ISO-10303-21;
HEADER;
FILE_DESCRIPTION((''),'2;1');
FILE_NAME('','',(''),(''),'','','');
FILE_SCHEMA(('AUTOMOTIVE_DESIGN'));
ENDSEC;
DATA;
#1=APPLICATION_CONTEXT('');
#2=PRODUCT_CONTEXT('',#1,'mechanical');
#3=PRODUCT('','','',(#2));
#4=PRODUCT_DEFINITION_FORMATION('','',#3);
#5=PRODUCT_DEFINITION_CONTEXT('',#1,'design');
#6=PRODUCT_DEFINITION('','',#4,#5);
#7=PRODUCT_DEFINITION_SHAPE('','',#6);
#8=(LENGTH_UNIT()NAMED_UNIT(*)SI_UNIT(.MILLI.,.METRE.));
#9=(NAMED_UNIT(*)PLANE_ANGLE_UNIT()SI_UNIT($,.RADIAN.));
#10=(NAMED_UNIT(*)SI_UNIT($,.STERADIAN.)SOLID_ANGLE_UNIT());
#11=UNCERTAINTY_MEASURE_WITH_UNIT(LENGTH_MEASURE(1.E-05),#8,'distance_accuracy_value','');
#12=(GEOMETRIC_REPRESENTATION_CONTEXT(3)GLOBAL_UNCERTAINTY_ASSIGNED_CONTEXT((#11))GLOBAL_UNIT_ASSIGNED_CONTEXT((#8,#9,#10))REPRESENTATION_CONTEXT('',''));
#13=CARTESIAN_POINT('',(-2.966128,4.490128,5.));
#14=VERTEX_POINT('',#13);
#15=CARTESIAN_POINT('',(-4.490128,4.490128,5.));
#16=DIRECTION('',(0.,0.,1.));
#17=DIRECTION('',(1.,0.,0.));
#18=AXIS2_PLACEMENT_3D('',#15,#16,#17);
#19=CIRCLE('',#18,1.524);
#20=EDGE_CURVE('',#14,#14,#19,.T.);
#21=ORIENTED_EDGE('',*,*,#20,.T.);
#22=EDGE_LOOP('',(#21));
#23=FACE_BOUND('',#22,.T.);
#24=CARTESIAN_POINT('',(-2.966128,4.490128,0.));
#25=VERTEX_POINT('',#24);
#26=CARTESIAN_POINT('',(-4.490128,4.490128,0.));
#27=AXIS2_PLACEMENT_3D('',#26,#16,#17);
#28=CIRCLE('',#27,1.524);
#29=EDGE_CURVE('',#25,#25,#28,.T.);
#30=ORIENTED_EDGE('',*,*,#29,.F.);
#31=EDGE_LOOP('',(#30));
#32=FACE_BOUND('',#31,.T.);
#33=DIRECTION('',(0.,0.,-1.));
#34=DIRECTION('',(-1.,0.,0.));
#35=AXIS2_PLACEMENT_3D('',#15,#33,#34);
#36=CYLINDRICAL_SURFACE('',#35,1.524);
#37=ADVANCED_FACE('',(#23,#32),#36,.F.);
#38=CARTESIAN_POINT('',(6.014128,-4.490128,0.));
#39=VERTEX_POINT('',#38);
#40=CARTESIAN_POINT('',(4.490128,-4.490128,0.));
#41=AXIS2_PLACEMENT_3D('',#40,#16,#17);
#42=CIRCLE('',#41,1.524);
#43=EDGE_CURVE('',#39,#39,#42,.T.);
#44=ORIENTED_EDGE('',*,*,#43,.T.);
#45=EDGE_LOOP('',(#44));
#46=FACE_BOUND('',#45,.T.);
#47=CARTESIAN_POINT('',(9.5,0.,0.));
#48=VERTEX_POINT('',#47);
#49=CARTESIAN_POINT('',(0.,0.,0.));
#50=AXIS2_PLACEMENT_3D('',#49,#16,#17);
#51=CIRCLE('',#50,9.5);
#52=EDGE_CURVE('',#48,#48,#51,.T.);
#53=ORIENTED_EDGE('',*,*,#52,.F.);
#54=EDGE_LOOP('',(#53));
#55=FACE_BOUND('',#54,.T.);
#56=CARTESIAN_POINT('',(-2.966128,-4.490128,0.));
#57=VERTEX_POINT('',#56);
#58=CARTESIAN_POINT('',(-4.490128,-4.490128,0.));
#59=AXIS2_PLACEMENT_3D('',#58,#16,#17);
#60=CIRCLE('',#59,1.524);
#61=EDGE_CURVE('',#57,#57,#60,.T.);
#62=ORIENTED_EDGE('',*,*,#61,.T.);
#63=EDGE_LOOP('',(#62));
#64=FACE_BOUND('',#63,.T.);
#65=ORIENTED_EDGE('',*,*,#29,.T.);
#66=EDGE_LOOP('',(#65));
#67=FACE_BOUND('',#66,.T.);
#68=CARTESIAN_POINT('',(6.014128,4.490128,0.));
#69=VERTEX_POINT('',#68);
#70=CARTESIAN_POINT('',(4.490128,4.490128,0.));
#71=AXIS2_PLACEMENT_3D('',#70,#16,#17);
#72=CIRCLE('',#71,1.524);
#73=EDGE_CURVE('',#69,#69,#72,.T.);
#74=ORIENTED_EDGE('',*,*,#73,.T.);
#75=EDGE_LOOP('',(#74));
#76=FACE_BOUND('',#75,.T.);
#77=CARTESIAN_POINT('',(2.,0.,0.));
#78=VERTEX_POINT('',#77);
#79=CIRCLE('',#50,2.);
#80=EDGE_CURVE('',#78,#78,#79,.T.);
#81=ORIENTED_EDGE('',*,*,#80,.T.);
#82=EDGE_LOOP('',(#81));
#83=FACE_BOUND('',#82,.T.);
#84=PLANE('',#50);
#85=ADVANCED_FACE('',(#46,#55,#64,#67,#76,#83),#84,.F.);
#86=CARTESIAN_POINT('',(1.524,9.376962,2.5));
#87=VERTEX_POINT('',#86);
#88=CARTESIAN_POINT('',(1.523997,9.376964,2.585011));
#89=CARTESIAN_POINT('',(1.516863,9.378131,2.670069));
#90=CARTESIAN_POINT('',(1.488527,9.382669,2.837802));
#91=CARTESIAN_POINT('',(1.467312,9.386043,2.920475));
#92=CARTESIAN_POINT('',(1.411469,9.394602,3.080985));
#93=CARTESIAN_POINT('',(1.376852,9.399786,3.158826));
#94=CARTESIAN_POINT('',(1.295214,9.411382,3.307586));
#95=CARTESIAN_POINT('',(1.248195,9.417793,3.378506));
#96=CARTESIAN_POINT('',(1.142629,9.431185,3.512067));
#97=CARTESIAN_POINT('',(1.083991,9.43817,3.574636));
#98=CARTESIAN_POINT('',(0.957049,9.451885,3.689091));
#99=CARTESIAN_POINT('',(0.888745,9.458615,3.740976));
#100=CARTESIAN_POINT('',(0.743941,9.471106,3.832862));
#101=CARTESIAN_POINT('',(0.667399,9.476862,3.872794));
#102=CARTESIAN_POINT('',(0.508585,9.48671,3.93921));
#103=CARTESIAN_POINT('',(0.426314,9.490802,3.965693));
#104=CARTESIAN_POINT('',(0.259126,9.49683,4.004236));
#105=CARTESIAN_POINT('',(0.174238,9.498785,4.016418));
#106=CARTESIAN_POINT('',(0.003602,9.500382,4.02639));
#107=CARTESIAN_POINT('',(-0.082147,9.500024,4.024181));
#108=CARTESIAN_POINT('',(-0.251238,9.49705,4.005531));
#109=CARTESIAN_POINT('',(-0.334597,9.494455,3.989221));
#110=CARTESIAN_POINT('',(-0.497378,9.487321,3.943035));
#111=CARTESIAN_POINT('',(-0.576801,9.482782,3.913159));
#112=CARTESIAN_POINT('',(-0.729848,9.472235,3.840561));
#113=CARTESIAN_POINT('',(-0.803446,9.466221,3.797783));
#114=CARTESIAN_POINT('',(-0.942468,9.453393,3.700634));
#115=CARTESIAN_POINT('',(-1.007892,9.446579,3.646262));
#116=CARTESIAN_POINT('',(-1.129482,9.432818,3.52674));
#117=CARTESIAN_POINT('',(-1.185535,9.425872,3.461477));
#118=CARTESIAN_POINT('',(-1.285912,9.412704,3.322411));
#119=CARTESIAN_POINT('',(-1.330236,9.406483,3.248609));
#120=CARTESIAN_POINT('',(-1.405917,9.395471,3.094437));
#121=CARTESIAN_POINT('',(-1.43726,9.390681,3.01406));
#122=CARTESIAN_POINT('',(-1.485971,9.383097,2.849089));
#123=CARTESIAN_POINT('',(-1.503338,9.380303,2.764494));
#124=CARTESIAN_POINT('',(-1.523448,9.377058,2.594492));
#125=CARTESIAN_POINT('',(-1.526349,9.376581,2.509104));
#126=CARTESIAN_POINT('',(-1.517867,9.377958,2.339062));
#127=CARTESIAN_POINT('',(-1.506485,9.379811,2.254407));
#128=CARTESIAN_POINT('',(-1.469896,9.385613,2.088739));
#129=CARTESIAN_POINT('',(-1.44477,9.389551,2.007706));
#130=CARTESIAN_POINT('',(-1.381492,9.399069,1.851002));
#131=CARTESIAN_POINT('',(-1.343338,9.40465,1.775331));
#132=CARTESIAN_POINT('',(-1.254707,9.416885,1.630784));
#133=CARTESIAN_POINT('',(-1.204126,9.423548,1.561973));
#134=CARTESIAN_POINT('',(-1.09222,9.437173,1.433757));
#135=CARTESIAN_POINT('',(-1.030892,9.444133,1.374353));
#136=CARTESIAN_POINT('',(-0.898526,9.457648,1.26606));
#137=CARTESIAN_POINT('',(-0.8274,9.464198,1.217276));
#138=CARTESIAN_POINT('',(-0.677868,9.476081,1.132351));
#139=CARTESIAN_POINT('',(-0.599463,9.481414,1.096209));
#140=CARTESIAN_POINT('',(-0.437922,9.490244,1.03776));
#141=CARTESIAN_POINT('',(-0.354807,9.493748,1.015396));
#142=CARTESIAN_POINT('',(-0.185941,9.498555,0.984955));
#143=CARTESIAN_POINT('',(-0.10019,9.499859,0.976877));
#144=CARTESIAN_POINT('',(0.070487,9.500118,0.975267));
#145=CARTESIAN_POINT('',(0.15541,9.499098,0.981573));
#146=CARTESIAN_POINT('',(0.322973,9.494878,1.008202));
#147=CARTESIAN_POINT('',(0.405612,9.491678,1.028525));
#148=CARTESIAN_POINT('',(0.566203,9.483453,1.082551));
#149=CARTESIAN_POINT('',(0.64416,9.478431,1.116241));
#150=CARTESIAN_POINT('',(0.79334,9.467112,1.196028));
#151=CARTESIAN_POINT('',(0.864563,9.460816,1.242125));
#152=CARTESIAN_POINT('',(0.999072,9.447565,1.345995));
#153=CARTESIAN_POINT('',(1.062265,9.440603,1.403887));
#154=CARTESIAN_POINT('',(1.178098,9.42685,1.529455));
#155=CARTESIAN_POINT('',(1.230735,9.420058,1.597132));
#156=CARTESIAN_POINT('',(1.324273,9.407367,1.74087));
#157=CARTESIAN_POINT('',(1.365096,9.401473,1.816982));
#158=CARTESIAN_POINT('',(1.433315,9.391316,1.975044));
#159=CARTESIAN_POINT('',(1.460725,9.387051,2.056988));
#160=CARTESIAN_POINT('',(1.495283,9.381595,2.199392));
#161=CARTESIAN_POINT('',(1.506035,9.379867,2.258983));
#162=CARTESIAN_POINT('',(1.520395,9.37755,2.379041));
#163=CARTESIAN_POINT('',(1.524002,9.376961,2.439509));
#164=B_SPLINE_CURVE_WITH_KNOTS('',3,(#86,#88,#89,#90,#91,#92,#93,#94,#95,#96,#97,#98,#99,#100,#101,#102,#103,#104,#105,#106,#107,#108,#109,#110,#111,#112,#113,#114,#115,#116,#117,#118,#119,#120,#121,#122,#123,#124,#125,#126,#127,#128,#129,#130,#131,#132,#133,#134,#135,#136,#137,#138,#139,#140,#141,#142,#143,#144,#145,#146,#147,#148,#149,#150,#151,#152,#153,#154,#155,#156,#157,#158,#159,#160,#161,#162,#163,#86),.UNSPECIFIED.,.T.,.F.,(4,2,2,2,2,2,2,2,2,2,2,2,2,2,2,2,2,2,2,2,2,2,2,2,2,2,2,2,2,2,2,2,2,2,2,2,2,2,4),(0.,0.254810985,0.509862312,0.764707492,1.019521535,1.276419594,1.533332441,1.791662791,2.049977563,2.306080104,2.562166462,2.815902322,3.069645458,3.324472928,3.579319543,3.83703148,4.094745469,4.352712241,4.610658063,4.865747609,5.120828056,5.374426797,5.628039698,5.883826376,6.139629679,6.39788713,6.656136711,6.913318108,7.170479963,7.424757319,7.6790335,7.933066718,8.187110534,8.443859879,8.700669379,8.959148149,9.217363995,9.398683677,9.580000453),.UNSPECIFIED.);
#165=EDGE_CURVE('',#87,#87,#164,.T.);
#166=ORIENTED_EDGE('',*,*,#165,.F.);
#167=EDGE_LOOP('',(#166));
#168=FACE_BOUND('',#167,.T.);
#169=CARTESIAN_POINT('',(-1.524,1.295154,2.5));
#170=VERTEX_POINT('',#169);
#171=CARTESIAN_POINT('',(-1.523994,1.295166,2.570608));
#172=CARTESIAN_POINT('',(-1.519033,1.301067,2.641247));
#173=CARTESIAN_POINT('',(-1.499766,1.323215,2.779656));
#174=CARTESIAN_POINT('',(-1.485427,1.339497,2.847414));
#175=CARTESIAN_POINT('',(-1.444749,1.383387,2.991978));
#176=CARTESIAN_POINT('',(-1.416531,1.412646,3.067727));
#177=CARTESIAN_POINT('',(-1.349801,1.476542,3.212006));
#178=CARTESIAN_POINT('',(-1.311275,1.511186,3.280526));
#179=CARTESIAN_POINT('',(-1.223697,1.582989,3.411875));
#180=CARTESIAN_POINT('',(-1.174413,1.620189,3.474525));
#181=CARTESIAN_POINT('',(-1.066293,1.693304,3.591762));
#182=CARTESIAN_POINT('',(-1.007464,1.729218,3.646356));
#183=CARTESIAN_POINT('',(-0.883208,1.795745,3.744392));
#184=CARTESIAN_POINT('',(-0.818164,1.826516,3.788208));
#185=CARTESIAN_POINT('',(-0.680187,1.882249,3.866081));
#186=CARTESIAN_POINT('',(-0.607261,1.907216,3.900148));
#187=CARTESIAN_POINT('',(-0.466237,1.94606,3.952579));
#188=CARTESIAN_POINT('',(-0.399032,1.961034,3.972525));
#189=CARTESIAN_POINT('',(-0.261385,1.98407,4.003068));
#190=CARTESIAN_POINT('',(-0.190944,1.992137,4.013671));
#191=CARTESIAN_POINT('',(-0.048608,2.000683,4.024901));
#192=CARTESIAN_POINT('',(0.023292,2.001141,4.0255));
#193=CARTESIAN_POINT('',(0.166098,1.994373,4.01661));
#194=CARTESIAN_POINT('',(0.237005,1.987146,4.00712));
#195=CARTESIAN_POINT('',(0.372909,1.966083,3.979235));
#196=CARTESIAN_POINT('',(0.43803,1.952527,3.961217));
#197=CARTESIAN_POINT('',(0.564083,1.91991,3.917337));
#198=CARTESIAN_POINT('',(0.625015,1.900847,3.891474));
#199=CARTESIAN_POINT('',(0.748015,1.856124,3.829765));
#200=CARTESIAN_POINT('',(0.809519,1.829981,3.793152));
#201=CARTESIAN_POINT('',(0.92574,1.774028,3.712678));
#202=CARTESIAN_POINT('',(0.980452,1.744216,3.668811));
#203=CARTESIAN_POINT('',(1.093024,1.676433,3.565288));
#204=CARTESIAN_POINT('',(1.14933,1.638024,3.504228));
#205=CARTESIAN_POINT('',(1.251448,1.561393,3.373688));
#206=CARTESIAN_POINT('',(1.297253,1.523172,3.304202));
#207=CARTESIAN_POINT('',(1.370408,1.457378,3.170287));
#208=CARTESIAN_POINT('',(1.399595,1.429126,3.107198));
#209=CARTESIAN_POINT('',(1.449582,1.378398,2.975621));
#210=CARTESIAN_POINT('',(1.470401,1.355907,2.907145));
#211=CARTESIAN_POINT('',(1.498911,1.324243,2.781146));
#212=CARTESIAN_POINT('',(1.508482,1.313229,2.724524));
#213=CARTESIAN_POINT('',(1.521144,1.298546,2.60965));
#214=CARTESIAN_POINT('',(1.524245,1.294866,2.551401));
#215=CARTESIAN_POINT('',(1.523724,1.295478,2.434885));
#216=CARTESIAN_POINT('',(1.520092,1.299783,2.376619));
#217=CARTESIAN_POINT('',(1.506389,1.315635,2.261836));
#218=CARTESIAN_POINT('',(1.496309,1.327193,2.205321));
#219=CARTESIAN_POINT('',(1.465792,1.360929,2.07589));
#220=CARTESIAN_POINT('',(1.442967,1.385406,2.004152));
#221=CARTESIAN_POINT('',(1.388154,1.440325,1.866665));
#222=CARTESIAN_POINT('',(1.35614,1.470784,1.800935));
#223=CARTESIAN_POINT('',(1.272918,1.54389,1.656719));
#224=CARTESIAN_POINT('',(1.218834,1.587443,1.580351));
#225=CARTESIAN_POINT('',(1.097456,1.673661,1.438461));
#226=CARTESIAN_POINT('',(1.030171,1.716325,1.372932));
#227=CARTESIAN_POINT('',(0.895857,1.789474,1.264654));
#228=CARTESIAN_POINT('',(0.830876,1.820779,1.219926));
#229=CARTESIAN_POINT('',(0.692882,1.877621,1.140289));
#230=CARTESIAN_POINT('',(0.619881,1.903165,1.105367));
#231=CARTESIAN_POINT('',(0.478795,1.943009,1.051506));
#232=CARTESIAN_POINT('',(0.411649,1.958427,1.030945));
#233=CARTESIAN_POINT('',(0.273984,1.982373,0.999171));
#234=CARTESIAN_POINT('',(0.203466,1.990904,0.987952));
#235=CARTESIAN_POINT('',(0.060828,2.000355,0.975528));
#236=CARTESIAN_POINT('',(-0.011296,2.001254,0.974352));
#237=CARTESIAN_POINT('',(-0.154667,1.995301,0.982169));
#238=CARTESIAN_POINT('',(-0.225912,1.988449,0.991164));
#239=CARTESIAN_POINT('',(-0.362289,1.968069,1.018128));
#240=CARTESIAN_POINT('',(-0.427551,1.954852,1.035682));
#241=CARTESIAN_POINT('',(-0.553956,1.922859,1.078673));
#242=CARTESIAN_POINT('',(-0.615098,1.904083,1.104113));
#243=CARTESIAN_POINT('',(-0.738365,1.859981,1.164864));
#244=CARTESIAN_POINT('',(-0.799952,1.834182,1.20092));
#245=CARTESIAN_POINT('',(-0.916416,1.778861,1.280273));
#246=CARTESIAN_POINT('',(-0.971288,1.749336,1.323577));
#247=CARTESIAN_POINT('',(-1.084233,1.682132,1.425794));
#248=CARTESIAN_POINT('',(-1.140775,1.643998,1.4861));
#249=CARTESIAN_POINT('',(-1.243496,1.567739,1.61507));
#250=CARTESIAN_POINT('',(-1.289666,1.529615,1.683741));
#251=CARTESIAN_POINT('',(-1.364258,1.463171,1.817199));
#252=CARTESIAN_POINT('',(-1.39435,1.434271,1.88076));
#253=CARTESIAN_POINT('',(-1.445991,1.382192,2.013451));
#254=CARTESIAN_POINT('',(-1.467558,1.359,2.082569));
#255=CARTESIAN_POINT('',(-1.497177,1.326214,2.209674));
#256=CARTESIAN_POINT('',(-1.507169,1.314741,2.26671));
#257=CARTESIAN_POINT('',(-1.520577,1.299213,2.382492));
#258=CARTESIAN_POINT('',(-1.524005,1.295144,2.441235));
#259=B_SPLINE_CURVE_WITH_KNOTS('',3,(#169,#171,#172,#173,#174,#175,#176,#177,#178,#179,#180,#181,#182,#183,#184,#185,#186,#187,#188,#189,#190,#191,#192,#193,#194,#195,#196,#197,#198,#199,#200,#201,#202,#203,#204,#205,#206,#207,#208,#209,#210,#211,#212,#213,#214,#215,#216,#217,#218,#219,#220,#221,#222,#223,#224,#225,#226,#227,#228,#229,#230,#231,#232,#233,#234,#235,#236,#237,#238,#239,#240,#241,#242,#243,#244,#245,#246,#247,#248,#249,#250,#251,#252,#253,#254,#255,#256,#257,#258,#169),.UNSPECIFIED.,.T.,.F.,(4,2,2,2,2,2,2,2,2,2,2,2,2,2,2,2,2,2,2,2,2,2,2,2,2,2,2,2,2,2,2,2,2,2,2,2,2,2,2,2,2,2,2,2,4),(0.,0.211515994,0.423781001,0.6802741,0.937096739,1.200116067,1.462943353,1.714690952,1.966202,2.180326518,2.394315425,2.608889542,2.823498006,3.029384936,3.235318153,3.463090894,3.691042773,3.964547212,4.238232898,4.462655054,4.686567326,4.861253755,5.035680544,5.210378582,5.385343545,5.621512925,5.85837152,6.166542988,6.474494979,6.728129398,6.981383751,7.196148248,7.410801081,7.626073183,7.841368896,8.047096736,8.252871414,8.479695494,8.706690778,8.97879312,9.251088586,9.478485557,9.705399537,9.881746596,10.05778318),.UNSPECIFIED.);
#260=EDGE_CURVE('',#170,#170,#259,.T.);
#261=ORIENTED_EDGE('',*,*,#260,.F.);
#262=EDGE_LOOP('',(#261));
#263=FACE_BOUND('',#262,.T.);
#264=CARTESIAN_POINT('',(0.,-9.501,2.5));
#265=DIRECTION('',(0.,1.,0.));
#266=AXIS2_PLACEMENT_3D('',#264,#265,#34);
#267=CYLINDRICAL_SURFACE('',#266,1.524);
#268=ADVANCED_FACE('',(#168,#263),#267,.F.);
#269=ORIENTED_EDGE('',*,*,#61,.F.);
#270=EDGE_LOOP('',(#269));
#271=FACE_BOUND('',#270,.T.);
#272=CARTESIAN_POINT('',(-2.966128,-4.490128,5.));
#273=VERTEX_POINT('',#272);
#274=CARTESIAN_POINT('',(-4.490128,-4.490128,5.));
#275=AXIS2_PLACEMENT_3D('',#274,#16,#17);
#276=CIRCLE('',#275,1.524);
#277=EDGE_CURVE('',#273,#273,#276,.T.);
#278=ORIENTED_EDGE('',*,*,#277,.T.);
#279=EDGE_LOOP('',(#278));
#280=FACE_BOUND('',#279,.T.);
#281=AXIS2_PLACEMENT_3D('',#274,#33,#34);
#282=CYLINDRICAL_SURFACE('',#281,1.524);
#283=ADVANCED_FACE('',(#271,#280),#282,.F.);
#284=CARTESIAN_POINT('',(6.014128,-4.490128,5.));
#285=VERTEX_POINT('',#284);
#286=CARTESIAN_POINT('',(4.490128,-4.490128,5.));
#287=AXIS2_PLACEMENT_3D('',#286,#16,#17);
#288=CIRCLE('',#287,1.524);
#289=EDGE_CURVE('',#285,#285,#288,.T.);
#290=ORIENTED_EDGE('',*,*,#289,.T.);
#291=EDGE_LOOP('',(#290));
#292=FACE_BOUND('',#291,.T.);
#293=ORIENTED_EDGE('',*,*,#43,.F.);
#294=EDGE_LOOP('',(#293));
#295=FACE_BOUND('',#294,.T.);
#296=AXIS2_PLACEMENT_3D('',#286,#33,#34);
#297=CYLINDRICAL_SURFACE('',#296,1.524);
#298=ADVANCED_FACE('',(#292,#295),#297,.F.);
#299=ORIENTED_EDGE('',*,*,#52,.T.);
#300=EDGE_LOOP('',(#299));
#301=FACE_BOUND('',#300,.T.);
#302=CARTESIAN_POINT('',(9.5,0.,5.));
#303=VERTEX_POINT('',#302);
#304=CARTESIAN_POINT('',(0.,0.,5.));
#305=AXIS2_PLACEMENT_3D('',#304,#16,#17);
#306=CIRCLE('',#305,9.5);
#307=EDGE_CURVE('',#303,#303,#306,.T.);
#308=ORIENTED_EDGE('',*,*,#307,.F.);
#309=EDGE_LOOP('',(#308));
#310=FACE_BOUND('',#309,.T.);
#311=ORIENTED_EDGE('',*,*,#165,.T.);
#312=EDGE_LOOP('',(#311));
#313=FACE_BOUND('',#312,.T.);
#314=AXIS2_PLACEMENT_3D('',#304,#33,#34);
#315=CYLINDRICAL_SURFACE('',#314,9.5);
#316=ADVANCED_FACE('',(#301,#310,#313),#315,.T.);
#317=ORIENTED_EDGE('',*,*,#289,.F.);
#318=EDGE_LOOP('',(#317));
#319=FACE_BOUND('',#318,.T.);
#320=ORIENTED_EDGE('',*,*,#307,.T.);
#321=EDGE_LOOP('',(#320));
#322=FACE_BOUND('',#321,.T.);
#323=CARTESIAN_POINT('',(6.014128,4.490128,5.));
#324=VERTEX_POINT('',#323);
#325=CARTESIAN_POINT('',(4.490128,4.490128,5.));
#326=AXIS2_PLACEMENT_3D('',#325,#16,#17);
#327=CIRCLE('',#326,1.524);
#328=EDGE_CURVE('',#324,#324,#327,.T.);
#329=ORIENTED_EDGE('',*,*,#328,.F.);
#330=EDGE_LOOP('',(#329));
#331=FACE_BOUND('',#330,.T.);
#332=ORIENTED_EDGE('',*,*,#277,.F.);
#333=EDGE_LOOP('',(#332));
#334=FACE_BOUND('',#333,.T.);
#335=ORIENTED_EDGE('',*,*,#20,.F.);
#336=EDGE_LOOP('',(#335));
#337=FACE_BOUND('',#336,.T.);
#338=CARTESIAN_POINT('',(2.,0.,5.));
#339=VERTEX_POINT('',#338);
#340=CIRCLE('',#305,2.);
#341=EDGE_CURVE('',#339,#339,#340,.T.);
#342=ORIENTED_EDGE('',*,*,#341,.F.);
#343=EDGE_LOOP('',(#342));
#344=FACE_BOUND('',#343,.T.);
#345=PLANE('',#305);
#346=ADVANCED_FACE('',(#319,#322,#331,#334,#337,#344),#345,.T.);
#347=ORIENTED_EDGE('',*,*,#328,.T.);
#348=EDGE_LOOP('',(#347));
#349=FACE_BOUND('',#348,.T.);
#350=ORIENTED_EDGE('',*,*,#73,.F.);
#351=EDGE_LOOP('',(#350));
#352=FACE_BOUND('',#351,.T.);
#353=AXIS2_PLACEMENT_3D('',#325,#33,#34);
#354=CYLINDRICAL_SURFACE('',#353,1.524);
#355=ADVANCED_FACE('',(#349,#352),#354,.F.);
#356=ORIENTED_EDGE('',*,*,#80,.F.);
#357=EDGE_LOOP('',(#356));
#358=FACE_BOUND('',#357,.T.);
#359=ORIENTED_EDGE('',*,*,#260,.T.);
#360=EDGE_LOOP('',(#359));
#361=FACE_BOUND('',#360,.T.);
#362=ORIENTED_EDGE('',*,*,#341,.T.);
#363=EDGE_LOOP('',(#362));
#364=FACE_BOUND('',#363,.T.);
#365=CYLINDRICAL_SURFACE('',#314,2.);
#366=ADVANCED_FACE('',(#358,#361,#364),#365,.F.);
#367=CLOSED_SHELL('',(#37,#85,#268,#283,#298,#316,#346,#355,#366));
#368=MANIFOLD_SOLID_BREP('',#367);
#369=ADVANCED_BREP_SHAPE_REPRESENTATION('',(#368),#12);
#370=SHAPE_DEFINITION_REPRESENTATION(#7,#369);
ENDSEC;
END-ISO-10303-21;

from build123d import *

# Parameters (mm, degrees)
SKETCH1_R                           = 9.5
SKETCH1_R_2                         = 1.524
SKETCH1_R_3                         = 2
BOSS_EXTRUDE1_DEPTH                 = 5
CUT_EXTRUDE1_REACH                  = 18.452
CUT_EXTRUDE1_END_RADIUS             = 2
SKETCH3_R                           = 1.524
CUT_EXTRUDE1_DIRECTION_2_REACH      = 18.452
CUT_EXTRUDE1_DIRECTION_2_END_RADIUS = 9.5


with BuildPart() as part:
    # Sketch1 → Boss-Extrude1 (new body)
    with BuildSketch(Plane.XY):
        Circle(SKETCH1_R)
        with Locations((4.490128061, -4.490128061)):
            Circle(SKETCH1_R_2, mode=Mode.SUBTRACT)
        with Locations((-4.490128061, -4.490128061)):
            Circle(SKETCH1_R_2, mode=Mode.SUBTRACT)
        with Locations((-4.490128061, 4.490128061)):
            Circle(SKETCH1_R_2, mode=Mode.SUBTRACT)
        with Locations((4.490128061, 4.490128061)):
            Circle(SKETCH1_R_2, mode=Mode.SUBTRACT)
        Circle(SKETCH1_R_3, mode=Mode.SUBTRACT)
    extrude(amount=BOSS_EXTRUDE1_DEPTH)

    # Cut-Extrude1: up to this cylinder (the profile starts outside it)
    cut_extrude1_end = Plane(origin=(0, 0, 2.5), z_dir=(0, 0, -1)) * Cylinder(CUT_EXTRUDE1_END_RADIUS, 41.904, mode=Mode.PRIVATE)
    # Sketch3 → Cut-Extrude1 (cut, up to the surface)
    with BuildSketch(Plane(origin=(0, 2.966128061, 0), x_dir=(1, 0, 0), z_dir=(0, 1, 0)), mode=Mode.PRIVATE) as cut_extrude1_sk1:
        with Locations(Location((0, -2.5, 0), (0, 0, 180))):
            Circle(SKETCH3_R)
    cut_extrude1_tool1 = extrude(cut_extrude1_sk1.sketch, amount=-CUT_EXTRUDE1_REACH, mode=Mode.PRIVATE) - cut_extrude1_end
    add(cut_extrude1_tool1.solids().sort_by_distance((0, 2.966128, 2.5))[0], mode=Mode.SUBTRACT)

    # Cut-Extrude1 direction 2: up to this cylinder (the profile starts inside it)
    cut_extrude1_direction_2_end = Plane(origin=(0, 0, 2.5), z_dir=(0, 0, -1)) * Cylinder(CUT_EXTRUDE1_DIRECTION_2_END_RADIUS, 56.904, mode=Mode.PRIVATE)
    # Sketch3 → Cut-Extrude1 direction 2 (cut, up to the surface)
    with BuildSketch(Plane(origin=(0, 2.966128061, 0), x_dir=(1, 0, 0), z_dir=(0, 1, 0)), mode=Mode.PRIVATE) as cut_extrude1_direction_2_sk1:
        with Locations(Location((0, -2.5, 0), (0, 0, 180))):
            Circle(SKETCH3_R)
    cut_extrude1_direction_2_tool1 = extrude(cut_extrude1_direction_2_sk1.sketch, amount=CUT_EXTRUDE1_DIRECTION_2_REACH, mode=Mode.PRIVATE) & cut_extrude1_direction_2_end
    add(cut_extrude1_direction_2_tool1.solids().sort_by_distance((0, 2.966128, 2.5))[0], mode=Mode.SUBTRACT)


solid = part.part
